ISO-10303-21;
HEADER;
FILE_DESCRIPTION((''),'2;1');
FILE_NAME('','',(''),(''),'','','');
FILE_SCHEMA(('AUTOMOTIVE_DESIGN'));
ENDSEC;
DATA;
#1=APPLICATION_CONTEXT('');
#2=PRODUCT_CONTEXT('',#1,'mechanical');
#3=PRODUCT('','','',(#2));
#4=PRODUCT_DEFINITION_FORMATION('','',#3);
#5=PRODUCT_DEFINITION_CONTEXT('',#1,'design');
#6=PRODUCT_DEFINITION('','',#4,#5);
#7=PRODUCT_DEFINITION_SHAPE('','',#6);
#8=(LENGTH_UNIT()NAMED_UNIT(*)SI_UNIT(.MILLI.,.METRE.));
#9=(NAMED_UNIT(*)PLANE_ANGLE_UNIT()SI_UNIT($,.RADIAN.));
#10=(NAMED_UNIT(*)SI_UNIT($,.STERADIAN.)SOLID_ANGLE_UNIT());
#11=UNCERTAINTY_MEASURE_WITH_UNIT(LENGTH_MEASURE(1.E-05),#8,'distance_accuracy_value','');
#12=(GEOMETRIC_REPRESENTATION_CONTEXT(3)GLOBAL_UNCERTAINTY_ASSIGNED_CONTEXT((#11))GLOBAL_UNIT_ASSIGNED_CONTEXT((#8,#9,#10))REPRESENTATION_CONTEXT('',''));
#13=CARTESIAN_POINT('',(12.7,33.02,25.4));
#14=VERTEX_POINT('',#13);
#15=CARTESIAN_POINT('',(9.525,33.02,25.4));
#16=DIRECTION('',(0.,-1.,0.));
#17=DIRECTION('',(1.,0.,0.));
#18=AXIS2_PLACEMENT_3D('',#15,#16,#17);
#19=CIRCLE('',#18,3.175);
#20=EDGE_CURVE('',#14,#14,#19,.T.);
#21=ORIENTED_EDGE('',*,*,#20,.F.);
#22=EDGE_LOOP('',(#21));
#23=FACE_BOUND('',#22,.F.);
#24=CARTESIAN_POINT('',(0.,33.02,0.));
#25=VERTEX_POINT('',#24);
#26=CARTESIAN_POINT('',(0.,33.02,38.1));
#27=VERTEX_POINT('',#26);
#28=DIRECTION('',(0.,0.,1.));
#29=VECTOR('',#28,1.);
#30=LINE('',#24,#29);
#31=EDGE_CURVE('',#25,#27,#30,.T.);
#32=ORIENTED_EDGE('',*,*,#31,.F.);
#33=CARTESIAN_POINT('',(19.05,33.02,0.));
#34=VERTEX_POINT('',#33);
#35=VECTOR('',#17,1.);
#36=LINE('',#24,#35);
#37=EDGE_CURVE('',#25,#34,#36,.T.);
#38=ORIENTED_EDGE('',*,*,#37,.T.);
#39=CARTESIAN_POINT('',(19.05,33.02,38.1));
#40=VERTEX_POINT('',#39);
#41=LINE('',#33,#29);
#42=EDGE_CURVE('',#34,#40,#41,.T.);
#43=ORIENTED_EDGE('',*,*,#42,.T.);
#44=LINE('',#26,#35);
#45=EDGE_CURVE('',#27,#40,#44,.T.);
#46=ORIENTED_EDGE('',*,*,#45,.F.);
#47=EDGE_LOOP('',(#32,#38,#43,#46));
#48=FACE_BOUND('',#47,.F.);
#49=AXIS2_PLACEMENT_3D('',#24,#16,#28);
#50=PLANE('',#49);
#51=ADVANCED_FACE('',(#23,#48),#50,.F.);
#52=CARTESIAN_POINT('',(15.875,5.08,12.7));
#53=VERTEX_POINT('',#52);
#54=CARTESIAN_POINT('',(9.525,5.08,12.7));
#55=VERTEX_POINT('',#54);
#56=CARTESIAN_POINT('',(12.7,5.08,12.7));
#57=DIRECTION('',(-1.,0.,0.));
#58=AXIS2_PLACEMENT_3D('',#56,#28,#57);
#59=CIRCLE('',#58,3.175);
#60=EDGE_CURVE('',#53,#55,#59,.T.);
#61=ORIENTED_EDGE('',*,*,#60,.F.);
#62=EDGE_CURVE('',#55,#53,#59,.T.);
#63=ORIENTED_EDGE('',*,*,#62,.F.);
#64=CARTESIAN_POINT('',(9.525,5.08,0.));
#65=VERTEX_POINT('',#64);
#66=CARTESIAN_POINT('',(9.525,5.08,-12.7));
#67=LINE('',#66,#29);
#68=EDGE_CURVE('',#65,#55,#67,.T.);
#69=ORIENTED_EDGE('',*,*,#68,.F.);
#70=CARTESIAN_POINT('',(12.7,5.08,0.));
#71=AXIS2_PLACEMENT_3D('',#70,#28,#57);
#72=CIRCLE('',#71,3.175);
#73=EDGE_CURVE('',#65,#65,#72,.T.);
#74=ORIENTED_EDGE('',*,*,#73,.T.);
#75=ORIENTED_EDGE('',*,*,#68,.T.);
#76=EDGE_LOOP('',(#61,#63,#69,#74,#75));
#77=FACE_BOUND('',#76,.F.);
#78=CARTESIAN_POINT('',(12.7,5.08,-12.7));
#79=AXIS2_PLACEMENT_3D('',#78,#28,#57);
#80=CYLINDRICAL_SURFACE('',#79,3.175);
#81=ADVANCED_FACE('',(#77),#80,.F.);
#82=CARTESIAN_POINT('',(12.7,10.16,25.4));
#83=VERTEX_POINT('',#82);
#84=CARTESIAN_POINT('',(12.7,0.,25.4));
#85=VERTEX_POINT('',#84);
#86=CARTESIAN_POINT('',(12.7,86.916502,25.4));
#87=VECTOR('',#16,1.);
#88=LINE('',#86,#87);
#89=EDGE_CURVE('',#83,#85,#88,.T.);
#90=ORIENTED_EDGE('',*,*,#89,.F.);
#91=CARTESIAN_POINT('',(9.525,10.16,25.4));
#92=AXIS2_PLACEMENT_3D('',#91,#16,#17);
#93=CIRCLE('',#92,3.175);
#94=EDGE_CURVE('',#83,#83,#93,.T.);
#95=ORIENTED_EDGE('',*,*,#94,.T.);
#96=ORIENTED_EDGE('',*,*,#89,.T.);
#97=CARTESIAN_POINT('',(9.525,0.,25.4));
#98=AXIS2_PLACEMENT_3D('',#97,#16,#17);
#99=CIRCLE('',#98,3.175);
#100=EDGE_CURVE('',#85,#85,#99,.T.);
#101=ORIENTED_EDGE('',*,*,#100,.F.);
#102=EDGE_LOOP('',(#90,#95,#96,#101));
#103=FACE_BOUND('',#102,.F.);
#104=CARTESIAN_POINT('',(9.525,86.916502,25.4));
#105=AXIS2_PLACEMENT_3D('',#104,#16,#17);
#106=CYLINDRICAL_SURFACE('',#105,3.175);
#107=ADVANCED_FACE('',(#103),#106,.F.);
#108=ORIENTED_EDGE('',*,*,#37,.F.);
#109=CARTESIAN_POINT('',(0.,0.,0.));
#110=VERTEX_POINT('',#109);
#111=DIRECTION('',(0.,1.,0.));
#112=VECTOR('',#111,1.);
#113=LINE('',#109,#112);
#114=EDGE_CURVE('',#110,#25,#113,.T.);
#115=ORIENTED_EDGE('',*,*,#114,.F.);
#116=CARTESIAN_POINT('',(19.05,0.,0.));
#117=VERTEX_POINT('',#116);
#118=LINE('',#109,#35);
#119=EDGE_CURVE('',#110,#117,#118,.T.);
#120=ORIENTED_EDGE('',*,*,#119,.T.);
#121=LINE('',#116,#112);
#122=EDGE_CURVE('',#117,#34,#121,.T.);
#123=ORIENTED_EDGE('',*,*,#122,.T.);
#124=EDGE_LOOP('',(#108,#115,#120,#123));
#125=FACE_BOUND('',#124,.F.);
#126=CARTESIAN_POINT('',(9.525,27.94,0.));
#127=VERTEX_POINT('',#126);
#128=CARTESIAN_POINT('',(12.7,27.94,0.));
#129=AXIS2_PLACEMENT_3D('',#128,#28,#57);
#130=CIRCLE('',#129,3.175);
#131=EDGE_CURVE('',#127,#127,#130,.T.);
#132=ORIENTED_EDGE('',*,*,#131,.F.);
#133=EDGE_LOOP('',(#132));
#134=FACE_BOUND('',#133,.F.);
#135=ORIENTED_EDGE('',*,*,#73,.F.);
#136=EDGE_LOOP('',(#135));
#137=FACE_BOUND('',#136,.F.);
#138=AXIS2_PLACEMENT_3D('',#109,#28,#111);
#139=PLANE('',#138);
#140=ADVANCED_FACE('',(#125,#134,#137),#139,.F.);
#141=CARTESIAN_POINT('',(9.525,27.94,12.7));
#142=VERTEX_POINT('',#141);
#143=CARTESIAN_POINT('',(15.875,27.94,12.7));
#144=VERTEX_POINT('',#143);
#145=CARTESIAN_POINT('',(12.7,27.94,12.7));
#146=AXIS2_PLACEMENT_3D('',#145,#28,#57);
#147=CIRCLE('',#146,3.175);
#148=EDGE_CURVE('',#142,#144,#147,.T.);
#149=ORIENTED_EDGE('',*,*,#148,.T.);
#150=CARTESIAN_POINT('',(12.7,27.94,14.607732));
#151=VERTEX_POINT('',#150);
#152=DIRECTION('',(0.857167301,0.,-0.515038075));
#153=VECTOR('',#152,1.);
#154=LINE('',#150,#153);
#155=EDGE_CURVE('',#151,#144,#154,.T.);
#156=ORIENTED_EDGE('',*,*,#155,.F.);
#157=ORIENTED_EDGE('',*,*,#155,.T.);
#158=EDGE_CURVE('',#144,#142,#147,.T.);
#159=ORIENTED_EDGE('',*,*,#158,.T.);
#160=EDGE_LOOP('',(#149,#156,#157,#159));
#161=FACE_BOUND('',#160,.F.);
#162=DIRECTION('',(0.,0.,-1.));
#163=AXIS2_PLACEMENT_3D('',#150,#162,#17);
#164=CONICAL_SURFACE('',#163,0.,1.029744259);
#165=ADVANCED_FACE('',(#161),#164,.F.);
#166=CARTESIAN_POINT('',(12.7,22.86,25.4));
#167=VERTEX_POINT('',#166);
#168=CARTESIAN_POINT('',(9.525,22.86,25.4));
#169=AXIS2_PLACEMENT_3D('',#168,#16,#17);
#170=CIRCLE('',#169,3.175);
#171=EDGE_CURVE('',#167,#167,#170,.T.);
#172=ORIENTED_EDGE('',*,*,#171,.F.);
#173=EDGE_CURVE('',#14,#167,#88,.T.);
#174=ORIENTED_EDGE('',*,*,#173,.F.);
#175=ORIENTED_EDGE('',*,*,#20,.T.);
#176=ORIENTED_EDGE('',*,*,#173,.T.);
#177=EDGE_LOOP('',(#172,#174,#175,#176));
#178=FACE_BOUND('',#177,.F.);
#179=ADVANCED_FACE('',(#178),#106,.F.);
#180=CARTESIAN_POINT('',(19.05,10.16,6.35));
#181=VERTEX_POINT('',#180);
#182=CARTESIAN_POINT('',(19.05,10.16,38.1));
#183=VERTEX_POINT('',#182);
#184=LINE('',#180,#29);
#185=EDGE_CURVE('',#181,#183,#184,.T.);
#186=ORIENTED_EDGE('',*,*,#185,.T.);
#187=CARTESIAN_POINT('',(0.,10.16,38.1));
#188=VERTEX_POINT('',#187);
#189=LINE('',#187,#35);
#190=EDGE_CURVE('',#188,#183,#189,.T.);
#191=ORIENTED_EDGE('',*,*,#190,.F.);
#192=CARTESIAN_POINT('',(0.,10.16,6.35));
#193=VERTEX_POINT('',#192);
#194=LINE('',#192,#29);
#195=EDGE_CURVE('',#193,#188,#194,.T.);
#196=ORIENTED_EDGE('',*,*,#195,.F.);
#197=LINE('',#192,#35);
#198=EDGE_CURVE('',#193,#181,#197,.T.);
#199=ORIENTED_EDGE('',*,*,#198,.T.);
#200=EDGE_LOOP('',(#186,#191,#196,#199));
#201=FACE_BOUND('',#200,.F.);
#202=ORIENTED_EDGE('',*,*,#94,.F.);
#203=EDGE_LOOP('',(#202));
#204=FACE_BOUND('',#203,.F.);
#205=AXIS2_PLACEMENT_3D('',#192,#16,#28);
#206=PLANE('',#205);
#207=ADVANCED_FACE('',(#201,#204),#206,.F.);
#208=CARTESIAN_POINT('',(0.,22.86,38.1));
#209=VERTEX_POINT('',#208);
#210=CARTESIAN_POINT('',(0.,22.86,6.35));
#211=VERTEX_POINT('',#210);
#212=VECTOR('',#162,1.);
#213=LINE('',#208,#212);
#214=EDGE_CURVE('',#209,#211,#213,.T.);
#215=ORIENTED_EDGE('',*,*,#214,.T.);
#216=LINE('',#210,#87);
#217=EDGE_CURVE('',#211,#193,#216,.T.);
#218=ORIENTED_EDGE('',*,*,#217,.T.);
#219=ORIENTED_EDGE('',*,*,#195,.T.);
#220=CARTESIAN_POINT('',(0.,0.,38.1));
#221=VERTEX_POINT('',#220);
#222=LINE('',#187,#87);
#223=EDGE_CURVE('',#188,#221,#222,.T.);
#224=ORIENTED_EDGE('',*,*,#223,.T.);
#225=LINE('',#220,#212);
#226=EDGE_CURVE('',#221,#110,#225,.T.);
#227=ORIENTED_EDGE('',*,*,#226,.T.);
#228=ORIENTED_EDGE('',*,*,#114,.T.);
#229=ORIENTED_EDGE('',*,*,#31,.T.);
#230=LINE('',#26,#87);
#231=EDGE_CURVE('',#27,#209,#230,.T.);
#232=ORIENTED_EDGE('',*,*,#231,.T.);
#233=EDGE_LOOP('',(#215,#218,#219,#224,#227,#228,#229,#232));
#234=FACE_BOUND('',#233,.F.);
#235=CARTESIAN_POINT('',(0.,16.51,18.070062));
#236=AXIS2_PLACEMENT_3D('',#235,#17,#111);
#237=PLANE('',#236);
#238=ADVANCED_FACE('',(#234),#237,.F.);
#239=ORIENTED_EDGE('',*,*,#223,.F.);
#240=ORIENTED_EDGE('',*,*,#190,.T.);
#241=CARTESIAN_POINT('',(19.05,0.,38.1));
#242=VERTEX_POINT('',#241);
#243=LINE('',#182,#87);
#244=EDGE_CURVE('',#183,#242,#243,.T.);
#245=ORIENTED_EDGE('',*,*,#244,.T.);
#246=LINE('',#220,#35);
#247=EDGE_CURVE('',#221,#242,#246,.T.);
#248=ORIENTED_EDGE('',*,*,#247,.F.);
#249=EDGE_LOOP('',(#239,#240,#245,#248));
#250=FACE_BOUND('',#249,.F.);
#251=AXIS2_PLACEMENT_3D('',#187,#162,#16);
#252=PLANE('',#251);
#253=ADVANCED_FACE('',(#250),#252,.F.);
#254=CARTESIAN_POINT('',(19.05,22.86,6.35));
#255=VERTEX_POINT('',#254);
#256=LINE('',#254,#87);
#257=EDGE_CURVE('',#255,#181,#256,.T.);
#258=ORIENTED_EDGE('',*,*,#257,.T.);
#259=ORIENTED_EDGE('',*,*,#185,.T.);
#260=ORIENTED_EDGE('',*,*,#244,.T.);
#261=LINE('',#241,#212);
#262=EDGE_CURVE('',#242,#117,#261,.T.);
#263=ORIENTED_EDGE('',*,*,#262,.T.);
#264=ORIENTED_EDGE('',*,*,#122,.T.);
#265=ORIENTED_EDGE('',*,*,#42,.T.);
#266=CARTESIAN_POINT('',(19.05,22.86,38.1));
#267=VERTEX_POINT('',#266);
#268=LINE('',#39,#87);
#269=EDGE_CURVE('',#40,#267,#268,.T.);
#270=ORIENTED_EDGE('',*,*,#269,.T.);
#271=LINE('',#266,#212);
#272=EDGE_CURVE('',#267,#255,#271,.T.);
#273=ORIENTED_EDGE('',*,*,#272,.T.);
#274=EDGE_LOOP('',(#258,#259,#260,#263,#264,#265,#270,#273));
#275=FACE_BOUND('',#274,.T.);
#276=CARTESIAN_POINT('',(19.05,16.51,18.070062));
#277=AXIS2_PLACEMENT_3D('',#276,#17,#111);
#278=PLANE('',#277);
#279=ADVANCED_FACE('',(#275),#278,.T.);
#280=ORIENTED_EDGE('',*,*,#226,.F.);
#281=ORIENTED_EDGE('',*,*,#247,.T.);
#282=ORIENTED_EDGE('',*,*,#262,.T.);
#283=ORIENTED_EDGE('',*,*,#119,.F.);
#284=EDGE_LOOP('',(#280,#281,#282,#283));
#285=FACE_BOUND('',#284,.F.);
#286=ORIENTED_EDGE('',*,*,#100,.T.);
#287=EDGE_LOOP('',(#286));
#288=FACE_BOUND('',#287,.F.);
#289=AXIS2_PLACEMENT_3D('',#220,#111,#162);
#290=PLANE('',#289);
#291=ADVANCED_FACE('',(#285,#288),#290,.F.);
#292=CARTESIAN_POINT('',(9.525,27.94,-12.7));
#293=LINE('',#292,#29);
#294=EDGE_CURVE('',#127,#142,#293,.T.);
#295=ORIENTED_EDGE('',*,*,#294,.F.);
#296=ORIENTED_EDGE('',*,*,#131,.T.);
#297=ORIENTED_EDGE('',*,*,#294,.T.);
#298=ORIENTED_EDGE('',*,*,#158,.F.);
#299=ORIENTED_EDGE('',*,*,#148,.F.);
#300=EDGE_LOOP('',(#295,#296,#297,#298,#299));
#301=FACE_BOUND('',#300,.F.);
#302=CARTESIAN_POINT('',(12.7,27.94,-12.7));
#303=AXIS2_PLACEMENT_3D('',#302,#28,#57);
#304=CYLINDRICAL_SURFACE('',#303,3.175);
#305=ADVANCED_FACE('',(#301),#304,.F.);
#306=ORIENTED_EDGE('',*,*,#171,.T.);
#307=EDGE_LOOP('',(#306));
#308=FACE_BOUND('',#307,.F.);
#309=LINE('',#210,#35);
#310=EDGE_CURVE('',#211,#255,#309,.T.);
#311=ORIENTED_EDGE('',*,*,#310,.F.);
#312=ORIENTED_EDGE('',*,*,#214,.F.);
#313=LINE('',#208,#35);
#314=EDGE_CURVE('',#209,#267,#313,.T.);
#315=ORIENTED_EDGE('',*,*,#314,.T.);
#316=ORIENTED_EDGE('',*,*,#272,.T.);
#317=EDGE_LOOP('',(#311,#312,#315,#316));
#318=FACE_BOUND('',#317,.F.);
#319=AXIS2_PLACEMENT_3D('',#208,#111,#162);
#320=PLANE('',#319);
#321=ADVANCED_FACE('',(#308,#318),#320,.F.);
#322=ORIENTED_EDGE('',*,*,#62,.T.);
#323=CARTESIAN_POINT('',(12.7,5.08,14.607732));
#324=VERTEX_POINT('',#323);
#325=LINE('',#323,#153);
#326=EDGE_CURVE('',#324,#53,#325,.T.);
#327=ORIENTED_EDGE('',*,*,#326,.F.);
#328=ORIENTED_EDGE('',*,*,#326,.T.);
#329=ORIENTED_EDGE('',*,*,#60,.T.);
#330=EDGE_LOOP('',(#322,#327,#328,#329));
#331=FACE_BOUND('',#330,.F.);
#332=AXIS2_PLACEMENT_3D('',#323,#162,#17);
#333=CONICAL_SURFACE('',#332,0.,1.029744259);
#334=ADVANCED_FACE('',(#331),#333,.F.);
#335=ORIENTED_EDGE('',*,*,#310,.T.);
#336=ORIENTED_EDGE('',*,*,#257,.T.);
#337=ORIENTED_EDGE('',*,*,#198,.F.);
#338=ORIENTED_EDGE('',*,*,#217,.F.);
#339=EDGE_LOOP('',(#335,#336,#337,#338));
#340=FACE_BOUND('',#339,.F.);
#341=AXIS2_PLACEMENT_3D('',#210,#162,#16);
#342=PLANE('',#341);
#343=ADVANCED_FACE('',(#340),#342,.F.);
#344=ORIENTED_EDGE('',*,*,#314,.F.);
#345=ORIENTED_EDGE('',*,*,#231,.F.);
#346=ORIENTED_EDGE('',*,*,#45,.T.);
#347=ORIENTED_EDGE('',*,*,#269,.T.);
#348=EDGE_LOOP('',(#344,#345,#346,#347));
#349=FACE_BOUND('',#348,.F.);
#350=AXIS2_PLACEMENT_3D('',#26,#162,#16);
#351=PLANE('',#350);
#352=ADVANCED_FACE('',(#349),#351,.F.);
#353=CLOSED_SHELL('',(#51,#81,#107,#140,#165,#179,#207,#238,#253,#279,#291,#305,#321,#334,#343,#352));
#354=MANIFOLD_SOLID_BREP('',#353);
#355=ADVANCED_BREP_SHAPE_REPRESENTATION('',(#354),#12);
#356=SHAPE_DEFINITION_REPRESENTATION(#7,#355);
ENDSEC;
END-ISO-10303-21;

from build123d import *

# Parameters (mm, degrees)
F1_DEPTH = 19.05
F3_D     = 6.35
F5_D     = 6.35
F5_DEPTH = 12.7
F5_TIP   = 1.9077324654


with BuildPart() as f1:
    # F0 (on Right) → F1 (new body)
    with BuildSketch(Plane.YZ):
        Polygon((0, 38.1), (0, 0), (33.02, 0), (33.02, 38.1), (22.86, 38.1), (22.86, 6.35), (10.16, 6.35), (10.16, 38.1), align=None)
    extrude(amount=F1_DEPTH)

    # F3 (through all)
    with Locations(Plane(origin=(0, 33.02, 0), x_dir=(-1, 0, 0), z_dir=(0, 1, 0))):
        with Locations((-9.5250001177, 25.4)):
            Hole(F3_D / 2)

    # F5
    with Locations(Plane(origin=(0, 0, 0), x_dir=(1, 0, 0), z_dir=(0, 0, -1))):
        with Locations((12.7, -5.08), (12.7, -27.94)):
            Hole(F5_D / 2, depth=F5_DEPTH)
            with Locations((0, 0, -(F5_DEPTH + F5_TIP / 2))):  # 118° drill point
                Cone(0, F5_D / 2, F5_TIP, mode=Mode.SUBTRACT)


solid = f1.part
